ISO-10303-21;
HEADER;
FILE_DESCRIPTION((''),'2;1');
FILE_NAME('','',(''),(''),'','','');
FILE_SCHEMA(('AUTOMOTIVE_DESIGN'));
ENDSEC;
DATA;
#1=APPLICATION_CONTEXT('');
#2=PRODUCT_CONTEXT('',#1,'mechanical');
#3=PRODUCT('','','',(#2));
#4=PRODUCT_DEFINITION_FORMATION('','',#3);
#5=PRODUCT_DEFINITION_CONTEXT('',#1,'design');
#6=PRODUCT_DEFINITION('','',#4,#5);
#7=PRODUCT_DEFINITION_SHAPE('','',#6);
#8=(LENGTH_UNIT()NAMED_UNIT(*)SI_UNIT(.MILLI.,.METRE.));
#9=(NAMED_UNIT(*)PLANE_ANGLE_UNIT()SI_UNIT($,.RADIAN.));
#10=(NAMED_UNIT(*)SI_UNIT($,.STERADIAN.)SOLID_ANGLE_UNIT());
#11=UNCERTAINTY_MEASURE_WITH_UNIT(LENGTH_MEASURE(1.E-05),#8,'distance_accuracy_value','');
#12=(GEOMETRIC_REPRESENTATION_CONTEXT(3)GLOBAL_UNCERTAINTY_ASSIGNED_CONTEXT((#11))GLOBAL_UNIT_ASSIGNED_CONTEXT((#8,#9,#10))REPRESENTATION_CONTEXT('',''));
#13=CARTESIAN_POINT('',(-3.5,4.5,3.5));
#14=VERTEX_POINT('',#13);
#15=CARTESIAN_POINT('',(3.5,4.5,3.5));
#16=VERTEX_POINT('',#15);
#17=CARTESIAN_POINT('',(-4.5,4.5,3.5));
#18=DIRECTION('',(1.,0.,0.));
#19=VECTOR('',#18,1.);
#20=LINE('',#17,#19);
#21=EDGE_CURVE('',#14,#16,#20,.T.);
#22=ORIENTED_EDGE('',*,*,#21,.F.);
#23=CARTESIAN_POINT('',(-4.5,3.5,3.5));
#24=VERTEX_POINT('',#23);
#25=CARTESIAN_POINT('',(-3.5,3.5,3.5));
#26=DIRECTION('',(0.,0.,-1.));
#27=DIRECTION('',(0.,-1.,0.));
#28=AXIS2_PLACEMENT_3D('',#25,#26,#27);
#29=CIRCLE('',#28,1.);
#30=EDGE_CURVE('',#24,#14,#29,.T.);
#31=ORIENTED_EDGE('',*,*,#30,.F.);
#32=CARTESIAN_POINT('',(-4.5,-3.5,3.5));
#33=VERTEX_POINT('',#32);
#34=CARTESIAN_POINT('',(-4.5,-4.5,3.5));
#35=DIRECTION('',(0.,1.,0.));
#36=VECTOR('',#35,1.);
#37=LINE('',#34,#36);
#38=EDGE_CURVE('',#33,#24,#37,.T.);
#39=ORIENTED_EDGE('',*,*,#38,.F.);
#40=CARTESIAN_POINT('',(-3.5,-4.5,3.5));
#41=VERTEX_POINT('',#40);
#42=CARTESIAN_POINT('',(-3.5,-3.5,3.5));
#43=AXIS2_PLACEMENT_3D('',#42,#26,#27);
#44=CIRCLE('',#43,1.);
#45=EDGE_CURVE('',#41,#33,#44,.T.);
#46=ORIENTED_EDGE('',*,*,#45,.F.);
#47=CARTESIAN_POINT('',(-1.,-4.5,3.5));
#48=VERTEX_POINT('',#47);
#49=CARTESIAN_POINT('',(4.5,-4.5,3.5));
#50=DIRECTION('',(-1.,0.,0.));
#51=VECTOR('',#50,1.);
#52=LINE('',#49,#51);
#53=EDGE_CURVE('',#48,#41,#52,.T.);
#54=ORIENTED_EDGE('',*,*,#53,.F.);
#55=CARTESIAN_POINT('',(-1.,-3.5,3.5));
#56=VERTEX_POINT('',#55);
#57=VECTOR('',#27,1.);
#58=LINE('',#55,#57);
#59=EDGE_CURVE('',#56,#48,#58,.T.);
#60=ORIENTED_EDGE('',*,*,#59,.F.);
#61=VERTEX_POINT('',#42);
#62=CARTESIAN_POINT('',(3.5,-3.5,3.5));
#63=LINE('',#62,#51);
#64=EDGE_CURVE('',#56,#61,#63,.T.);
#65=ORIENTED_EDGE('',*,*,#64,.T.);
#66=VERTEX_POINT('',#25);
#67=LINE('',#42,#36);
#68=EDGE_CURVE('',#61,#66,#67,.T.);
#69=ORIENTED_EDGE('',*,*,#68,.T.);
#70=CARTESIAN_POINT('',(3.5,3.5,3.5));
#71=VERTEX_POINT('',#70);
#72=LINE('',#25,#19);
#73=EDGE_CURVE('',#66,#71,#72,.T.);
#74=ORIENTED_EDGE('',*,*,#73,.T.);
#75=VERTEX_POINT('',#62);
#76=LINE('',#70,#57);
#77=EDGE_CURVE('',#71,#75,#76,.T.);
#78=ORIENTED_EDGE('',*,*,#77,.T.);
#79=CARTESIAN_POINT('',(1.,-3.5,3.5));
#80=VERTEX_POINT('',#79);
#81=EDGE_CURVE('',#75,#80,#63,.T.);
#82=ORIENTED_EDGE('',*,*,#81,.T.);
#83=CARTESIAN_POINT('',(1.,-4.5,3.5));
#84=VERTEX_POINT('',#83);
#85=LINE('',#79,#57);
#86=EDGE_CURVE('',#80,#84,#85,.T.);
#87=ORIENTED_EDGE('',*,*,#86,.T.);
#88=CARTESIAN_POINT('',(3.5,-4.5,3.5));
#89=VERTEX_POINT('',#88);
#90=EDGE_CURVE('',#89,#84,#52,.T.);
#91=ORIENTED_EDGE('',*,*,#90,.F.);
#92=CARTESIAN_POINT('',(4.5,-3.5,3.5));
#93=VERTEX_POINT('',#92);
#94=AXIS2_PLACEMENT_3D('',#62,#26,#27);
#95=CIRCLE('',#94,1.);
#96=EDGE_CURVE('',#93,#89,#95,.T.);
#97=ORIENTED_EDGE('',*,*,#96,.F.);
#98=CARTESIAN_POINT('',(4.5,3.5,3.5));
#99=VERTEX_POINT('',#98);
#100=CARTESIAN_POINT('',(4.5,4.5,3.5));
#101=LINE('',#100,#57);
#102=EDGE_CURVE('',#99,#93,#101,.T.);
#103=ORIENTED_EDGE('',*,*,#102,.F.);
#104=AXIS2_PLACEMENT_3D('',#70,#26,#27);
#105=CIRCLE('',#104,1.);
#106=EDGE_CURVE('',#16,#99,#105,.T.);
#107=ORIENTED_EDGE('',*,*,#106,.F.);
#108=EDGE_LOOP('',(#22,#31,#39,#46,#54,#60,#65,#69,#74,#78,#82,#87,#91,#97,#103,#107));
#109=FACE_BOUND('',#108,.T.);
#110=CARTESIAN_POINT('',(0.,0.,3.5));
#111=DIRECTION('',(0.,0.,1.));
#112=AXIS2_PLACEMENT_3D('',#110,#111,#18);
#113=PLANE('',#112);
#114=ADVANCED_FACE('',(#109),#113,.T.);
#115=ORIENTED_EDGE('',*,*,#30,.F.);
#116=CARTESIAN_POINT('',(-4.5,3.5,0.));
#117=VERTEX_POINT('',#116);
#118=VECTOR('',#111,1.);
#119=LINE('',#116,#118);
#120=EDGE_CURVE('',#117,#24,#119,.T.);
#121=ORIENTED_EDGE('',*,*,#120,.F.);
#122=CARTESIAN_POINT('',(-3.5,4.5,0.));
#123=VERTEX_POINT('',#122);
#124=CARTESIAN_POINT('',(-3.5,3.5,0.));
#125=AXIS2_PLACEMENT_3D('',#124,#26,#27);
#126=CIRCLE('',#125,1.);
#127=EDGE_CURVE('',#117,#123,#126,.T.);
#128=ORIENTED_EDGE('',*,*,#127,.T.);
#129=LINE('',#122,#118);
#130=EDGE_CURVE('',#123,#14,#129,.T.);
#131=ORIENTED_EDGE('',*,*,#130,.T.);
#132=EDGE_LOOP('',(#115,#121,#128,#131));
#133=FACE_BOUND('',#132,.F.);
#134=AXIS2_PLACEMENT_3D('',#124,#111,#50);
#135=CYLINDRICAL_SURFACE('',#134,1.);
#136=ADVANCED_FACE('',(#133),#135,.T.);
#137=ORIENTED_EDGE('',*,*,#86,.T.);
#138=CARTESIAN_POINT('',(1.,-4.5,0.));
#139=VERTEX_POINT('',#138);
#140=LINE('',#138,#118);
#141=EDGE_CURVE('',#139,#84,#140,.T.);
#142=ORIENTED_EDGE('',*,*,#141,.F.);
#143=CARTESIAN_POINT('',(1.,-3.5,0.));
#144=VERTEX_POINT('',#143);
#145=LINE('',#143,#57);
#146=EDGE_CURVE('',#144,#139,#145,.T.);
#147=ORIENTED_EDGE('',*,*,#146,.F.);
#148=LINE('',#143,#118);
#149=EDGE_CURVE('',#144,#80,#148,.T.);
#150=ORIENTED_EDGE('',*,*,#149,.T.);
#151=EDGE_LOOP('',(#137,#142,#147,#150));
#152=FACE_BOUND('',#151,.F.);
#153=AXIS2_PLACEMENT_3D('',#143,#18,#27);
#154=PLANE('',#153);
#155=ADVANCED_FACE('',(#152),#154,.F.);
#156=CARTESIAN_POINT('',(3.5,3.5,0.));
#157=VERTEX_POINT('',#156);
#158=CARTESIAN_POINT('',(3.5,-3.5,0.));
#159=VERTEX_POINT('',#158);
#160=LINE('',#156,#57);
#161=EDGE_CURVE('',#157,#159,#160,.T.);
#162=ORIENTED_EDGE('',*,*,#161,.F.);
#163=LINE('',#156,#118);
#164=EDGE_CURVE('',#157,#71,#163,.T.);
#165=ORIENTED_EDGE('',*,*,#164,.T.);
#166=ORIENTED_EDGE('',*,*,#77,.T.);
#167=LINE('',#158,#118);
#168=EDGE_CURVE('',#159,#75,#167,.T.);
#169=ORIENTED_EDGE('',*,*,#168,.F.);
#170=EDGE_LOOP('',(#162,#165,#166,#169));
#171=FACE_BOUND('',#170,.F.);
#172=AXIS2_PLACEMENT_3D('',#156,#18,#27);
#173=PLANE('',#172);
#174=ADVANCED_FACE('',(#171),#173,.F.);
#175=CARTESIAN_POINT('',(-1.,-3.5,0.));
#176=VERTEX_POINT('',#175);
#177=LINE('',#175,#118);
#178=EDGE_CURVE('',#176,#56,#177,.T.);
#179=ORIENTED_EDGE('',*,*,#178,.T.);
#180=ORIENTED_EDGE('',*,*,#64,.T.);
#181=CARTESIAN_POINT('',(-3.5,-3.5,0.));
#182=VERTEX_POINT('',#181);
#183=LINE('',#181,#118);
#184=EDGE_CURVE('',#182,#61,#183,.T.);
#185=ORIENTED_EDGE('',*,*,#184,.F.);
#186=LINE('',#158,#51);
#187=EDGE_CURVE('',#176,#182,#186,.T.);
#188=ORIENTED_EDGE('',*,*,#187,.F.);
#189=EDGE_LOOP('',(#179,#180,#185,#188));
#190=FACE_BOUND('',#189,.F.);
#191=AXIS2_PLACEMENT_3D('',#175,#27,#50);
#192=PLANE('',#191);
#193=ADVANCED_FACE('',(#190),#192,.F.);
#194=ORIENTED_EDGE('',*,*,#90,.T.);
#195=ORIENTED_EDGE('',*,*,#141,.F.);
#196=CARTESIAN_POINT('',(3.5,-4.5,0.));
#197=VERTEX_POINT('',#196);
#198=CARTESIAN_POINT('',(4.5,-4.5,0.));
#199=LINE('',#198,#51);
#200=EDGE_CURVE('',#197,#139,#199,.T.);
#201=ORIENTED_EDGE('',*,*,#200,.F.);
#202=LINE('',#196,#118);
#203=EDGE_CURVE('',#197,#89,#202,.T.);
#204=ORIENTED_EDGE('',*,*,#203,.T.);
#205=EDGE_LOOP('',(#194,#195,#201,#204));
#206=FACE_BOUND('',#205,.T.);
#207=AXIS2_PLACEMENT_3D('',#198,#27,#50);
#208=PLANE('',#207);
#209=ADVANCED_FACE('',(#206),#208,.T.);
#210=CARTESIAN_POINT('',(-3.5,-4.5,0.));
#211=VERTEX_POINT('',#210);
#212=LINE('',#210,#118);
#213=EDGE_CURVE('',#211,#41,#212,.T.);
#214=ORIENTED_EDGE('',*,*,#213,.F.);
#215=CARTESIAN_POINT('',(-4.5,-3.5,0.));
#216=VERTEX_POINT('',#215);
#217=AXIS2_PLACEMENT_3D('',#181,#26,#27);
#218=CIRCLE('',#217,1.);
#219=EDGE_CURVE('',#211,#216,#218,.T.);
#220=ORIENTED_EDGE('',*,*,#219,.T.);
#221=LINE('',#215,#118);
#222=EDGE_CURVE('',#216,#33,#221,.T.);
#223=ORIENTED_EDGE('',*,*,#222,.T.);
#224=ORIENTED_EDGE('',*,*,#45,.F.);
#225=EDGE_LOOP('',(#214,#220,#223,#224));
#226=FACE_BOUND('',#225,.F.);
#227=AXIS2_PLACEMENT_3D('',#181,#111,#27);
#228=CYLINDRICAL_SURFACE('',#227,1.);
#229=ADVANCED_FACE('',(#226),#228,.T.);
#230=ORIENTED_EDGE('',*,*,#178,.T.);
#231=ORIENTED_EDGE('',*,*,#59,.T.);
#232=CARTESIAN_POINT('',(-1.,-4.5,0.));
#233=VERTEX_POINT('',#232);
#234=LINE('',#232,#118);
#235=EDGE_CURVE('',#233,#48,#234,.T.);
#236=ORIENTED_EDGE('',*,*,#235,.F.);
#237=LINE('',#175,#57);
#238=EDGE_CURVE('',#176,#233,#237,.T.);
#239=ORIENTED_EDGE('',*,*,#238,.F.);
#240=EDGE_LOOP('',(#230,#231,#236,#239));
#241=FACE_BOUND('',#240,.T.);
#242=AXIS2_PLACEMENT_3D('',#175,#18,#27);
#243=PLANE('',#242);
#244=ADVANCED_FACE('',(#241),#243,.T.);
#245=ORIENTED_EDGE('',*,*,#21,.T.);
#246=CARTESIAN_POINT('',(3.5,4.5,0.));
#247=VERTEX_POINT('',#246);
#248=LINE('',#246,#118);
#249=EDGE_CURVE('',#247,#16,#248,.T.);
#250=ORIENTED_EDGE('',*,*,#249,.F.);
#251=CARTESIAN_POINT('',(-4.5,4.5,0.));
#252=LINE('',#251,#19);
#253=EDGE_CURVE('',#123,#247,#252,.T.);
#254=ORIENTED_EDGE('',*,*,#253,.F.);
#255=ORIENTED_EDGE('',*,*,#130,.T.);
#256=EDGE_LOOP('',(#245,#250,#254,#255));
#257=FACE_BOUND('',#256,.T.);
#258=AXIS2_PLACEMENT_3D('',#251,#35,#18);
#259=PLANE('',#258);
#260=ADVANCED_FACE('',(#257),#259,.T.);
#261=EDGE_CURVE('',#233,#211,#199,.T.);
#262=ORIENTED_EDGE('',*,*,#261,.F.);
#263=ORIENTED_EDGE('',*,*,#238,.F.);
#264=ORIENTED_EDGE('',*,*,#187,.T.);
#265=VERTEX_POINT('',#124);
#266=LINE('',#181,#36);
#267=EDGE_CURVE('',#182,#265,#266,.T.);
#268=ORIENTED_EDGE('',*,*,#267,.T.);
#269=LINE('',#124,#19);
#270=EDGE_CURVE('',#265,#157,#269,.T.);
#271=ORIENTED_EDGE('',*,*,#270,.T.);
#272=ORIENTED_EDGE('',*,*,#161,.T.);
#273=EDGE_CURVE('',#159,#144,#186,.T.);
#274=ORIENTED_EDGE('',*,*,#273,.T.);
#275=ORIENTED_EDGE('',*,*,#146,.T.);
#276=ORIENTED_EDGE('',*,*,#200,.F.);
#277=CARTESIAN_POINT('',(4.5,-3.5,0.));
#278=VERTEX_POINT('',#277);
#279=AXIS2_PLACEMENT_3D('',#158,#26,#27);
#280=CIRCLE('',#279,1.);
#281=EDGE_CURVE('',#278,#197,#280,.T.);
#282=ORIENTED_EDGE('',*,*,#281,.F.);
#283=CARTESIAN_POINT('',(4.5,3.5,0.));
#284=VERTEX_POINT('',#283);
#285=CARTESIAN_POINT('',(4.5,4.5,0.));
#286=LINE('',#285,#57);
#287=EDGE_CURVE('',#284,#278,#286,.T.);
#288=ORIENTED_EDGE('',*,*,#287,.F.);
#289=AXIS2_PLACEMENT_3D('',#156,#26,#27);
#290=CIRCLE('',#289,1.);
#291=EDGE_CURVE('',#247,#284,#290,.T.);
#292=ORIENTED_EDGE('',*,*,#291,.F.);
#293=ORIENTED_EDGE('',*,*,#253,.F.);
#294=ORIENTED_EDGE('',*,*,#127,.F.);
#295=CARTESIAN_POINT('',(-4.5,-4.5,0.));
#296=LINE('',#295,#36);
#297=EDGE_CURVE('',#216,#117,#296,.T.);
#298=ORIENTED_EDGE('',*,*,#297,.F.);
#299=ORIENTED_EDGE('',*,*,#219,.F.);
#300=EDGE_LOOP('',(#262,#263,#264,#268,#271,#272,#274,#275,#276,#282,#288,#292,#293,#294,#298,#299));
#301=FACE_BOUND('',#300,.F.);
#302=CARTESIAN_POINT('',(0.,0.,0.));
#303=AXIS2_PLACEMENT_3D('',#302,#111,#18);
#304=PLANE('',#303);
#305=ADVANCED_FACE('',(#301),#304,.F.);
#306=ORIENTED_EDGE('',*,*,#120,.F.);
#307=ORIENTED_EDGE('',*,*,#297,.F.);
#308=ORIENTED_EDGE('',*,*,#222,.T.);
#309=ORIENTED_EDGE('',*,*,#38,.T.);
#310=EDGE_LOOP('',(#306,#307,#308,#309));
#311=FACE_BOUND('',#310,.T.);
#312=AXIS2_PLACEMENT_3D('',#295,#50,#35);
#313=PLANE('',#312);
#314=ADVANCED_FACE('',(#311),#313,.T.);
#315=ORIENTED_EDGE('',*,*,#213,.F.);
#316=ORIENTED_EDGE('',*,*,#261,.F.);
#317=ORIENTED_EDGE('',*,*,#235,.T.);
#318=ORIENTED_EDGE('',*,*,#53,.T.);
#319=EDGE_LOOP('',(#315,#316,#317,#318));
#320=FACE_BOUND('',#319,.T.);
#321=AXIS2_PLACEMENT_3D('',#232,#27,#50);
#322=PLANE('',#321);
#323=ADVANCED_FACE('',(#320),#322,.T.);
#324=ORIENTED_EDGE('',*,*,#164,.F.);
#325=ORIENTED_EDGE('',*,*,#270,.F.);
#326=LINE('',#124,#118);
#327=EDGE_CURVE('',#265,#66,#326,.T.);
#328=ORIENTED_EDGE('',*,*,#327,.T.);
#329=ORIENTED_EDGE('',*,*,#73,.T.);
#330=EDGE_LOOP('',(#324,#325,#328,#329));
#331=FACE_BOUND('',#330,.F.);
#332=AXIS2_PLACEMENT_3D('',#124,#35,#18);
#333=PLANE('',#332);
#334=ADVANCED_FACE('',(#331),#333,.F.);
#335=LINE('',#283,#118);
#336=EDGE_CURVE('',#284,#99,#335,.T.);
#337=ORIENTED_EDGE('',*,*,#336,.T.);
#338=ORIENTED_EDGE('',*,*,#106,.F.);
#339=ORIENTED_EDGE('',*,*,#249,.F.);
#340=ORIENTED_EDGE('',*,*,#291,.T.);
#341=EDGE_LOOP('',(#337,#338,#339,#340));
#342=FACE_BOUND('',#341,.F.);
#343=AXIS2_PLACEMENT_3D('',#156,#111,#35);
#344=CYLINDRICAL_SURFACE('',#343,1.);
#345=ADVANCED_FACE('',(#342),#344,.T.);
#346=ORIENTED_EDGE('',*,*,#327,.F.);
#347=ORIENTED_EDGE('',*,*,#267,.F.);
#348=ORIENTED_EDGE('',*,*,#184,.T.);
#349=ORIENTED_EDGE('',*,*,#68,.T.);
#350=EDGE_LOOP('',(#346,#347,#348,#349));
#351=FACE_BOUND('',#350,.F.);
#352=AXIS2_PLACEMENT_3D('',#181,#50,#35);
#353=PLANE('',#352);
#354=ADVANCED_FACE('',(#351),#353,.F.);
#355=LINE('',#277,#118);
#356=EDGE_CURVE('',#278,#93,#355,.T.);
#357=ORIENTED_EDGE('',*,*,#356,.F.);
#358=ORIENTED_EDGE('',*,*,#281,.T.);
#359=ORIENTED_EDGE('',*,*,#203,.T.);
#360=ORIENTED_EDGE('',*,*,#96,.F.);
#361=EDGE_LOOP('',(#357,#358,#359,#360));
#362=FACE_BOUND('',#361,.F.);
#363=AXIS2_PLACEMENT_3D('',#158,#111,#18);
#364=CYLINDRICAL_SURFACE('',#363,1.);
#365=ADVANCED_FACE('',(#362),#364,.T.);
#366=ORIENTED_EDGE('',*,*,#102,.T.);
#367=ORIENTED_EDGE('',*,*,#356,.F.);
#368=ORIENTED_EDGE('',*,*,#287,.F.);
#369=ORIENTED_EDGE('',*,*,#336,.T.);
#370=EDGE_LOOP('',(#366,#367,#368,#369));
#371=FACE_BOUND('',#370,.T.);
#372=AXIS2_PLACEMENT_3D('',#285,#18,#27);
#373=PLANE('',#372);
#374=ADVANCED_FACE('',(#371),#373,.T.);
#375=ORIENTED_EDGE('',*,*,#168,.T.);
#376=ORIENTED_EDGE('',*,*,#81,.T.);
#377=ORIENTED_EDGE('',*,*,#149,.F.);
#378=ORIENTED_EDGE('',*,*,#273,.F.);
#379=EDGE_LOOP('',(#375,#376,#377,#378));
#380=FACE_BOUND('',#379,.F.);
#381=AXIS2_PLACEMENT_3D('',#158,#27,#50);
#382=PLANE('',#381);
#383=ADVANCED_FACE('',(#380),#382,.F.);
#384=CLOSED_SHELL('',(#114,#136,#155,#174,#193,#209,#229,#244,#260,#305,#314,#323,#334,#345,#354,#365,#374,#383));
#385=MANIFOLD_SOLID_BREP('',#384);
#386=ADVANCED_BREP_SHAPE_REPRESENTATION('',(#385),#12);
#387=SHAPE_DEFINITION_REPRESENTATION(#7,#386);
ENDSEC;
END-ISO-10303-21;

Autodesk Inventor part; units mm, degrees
ref_plane "YZ Plane" through (0, 0, 0) normal (1, 0, 0) x (0, 1, 0)
ref_plane "XZ Plane" through (0, 0, 0) normal (0, 1, 0) x (-1, 0, 0)
ref_plane "XY Plane" through (0, 0, 0) normal (0, 0, 1) x (1, 0, 0)
sketch "Sketch1" plane through (0, 0, 0) normal (0, 0, 1) x (1, 0, 0)
  line L0 (-3.5, 3.5) -> (3.5, 3.5)
  line L1 (3.5, 3.5) -> (3.5, -3.5)
  line L2 (3.5, -3.5) -> (-3.5, -3.5)
  line L3 (-3.5, -3.5) -> (-3.5, 3.5)
  line L4 (-4.5, 4.5) -> (4.5, 4.5)
  line L5 (4.5, 4.5) -> (4.5, -4.5)
  line L6 (4.5, -4.5) -> (-4.5, -4.5)
  line L7 (-4.5, -4.5) -> (-4.5, 4.5)
  line L8 (-1, -3.5) -> (-1, -4.5)
  line L9 (1, -3.5) -> (1, -4.5)
  point P0 (0, 0)
  point P1 (0, 3.5)
  point P2 (-3.5, 0)
  point P3 (-4.5, 0)
  point P4 (0, 4.5)
  dimension "d0" = 1
  dimension "d1" = 1
  dimension "d2" = 7
  dimension "d3" = 7
  dimension "d4" = 2
  dimension "d5" = 1
extrude "Extrusion1" add sketch "Sketch1" along normal blind 3.5 contours L3 L2 L8 L6 L7 L4 L5 L9 L1 L0
fillet "Fillet1" radius 1 4 edges at (4.5, 4.5, 1.75) (-4.5, 4.5, 1.75) (-4.5, -4.5, 1.75) (4.5, -4.5, 1.75)
equation "\"d1\" = d0"
equation "\"d5\" = 0.5 * d4"
properties part number "cable_clip_rev1"
